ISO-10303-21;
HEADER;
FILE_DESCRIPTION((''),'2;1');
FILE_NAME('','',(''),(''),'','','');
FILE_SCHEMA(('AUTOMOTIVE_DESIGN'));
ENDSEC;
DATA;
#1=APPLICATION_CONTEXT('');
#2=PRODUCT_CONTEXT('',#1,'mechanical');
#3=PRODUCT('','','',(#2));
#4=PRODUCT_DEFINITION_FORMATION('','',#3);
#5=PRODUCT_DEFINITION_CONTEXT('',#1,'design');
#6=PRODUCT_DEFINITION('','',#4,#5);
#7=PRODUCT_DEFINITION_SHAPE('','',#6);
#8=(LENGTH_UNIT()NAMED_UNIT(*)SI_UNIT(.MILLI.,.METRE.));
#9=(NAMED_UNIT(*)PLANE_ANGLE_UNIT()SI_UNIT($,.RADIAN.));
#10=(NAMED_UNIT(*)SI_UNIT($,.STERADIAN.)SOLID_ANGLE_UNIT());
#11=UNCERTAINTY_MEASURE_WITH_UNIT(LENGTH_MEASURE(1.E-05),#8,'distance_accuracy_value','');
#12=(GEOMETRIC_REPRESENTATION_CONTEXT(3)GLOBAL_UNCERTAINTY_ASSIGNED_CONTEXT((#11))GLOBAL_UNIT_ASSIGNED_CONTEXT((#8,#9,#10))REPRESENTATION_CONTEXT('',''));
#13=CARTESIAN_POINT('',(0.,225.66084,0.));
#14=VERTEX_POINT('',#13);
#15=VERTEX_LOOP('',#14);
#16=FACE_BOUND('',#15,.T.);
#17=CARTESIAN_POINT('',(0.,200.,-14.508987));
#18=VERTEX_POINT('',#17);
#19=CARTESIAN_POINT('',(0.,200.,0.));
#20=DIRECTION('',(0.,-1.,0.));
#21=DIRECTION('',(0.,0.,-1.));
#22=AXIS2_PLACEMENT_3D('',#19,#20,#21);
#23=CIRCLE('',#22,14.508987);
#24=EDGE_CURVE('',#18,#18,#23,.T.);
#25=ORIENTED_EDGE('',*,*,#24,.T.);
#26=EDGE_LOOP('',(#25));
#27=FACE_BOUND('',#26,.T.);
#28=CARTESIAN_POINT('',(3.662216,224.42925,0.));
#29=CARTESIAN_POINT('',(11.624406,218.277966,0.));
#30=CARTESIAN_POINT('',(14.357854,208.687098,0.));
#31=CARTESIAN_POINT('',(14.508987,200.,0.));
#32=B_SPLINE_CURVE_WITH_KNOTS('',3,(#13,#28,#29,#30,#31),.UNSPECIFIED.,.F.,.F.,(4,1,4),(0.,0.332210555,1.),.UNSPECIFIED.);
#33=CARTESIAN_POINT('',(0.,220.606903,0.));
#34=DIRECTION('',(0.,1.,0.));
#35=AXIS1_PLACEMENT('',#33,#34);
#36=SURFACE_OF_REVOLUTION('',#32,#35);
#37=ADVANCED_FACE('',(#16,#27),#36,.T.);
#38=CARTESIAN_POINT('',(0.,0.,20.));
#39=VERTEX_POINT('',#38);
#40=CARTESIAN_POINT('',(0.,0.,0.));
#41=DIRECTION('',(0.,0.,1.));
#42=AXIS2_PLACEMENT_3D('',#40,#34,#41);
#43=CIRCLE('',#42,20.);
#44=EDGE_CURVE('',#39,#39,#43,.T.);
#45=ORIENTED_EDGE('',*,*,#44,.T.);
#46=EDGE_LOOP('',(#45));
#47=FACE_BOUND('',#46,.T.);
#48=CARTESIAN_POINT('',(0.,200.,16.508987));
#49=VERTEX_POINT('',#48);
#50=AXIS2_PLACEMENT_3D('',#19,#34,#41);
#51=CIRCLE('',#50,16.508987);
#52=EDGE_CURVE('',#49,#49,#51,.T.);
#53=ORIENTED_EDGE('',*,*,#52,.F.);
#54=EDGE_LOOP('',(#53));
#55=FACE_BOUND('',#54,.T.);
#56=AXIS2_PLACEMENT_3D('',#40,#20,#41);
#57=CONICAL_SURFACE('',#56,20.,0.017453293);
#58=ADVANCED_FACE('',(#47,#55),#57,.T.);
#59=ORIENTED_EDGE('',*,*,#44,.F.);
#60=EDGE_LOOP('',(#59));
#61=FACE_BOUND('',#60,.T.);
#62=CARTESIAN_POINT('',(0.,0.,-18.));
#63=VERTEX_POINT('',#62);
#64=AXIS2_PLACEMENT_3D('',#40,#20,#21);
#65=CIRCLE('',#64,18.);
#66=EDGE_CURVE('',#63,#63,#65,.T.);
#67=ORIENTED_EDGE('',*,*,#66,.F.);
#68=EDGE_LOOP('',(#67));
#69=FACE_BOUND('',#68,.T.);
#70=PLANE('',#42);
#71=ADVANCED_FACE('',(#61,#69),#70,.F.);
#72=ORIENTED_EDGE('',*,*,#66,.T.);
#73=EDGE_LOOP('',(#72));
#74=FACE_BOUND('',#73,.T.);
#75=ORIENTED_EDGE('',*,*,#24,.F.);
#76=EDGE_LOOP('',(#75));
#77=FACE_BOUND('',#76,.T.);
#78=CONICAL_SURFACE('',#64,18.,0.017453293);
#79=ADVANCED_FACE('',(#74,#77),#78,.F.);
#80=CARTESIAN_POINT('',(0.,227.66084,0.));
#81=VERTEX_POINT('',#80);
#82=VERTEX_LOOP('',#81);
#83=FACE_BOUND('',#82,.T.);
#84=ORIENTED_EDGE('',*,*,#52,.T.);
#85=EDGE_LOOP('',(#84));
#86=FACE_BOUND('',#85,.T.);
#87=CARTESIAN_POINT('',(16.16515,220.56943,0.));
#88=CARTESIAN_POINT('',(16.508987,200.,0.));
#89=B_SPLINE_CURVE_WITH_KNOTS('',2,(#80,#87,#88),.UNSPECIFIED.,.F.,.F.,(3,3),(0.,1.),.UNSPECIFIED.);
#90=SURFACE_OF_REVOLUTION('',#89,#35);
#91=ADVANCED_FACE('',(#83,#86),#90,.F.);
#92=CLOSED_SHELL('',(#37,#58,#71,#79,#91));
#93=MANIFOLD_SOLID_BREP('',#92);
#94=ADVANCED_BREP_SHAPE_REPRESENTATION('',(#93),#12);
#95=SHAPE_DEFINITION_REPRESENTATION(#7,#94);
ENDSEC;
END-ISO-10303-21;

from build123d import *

# Parameters (mm, degrees)
SKETCH1_R           = 20
BOSS_EXTRUDE1_DEPTH = 200
BOSS_EXTRUDE1_TAPER = 1
SKETCH3_R           = 18
CUT_EXTRUDE1_DEPTH  = 200
CUT_EXTRUDE1_TAPER  = 1


with BuildPart() as part:
    # Sketch1 → Boss-Extrude1 (new body)
    with BuildSketch(Plane(origin=(0, 0, 0), x_dir=(1, 0, 0), z_dir=(0, 1, 0))):
        Circle(SKETCH1_R)
    extrude(amount=BOSS_EXTRUDE1_DEPTH, taper=BOSS_EXTRUDE1_TAPER)

    # Sketch3 → Cut-Extrude1 (cut)
    with BuildSketch(Plane.XZ):
        Circle(SKETCH3_R)
    extrude(amount=-CUT_EXTRUDE1_DEPTH, taper=CUT_EXTRUDE1_TAPER, mode=Mode.SUBTRACT)

    # Sketch4 → Revolve1 (revolve)
    with BuildSketch(Plane.XY):
        with BuildLine():
            Line((0, 227.660840397), (0, 225.660840397))
            add(Edge.make_bspline(
                [(0, 225.660840397), (3.662215859, 224.429250128), (11.624405947, 218.277965679), (14.357854187, 208.68709829), (14.508987014, 200)],
                knots=[0, 0, 0, 0, 0.332210555, 1, 1, 1, 1], degree=3))
            Line((14.508987014, 200), (16.508987014, 200))
            add(Edge.make_bspline(
                [(0, 227.660840397), (16.165150369, 220.569430353), (16.508987014, 200)],
                knots=[0, 0, 0, 1, 1, 1], degree=2))
        make_face()
    revolve(axis=Axis((0, 220.606902542, 0), (0, -1, 0)))


solid = part.part
